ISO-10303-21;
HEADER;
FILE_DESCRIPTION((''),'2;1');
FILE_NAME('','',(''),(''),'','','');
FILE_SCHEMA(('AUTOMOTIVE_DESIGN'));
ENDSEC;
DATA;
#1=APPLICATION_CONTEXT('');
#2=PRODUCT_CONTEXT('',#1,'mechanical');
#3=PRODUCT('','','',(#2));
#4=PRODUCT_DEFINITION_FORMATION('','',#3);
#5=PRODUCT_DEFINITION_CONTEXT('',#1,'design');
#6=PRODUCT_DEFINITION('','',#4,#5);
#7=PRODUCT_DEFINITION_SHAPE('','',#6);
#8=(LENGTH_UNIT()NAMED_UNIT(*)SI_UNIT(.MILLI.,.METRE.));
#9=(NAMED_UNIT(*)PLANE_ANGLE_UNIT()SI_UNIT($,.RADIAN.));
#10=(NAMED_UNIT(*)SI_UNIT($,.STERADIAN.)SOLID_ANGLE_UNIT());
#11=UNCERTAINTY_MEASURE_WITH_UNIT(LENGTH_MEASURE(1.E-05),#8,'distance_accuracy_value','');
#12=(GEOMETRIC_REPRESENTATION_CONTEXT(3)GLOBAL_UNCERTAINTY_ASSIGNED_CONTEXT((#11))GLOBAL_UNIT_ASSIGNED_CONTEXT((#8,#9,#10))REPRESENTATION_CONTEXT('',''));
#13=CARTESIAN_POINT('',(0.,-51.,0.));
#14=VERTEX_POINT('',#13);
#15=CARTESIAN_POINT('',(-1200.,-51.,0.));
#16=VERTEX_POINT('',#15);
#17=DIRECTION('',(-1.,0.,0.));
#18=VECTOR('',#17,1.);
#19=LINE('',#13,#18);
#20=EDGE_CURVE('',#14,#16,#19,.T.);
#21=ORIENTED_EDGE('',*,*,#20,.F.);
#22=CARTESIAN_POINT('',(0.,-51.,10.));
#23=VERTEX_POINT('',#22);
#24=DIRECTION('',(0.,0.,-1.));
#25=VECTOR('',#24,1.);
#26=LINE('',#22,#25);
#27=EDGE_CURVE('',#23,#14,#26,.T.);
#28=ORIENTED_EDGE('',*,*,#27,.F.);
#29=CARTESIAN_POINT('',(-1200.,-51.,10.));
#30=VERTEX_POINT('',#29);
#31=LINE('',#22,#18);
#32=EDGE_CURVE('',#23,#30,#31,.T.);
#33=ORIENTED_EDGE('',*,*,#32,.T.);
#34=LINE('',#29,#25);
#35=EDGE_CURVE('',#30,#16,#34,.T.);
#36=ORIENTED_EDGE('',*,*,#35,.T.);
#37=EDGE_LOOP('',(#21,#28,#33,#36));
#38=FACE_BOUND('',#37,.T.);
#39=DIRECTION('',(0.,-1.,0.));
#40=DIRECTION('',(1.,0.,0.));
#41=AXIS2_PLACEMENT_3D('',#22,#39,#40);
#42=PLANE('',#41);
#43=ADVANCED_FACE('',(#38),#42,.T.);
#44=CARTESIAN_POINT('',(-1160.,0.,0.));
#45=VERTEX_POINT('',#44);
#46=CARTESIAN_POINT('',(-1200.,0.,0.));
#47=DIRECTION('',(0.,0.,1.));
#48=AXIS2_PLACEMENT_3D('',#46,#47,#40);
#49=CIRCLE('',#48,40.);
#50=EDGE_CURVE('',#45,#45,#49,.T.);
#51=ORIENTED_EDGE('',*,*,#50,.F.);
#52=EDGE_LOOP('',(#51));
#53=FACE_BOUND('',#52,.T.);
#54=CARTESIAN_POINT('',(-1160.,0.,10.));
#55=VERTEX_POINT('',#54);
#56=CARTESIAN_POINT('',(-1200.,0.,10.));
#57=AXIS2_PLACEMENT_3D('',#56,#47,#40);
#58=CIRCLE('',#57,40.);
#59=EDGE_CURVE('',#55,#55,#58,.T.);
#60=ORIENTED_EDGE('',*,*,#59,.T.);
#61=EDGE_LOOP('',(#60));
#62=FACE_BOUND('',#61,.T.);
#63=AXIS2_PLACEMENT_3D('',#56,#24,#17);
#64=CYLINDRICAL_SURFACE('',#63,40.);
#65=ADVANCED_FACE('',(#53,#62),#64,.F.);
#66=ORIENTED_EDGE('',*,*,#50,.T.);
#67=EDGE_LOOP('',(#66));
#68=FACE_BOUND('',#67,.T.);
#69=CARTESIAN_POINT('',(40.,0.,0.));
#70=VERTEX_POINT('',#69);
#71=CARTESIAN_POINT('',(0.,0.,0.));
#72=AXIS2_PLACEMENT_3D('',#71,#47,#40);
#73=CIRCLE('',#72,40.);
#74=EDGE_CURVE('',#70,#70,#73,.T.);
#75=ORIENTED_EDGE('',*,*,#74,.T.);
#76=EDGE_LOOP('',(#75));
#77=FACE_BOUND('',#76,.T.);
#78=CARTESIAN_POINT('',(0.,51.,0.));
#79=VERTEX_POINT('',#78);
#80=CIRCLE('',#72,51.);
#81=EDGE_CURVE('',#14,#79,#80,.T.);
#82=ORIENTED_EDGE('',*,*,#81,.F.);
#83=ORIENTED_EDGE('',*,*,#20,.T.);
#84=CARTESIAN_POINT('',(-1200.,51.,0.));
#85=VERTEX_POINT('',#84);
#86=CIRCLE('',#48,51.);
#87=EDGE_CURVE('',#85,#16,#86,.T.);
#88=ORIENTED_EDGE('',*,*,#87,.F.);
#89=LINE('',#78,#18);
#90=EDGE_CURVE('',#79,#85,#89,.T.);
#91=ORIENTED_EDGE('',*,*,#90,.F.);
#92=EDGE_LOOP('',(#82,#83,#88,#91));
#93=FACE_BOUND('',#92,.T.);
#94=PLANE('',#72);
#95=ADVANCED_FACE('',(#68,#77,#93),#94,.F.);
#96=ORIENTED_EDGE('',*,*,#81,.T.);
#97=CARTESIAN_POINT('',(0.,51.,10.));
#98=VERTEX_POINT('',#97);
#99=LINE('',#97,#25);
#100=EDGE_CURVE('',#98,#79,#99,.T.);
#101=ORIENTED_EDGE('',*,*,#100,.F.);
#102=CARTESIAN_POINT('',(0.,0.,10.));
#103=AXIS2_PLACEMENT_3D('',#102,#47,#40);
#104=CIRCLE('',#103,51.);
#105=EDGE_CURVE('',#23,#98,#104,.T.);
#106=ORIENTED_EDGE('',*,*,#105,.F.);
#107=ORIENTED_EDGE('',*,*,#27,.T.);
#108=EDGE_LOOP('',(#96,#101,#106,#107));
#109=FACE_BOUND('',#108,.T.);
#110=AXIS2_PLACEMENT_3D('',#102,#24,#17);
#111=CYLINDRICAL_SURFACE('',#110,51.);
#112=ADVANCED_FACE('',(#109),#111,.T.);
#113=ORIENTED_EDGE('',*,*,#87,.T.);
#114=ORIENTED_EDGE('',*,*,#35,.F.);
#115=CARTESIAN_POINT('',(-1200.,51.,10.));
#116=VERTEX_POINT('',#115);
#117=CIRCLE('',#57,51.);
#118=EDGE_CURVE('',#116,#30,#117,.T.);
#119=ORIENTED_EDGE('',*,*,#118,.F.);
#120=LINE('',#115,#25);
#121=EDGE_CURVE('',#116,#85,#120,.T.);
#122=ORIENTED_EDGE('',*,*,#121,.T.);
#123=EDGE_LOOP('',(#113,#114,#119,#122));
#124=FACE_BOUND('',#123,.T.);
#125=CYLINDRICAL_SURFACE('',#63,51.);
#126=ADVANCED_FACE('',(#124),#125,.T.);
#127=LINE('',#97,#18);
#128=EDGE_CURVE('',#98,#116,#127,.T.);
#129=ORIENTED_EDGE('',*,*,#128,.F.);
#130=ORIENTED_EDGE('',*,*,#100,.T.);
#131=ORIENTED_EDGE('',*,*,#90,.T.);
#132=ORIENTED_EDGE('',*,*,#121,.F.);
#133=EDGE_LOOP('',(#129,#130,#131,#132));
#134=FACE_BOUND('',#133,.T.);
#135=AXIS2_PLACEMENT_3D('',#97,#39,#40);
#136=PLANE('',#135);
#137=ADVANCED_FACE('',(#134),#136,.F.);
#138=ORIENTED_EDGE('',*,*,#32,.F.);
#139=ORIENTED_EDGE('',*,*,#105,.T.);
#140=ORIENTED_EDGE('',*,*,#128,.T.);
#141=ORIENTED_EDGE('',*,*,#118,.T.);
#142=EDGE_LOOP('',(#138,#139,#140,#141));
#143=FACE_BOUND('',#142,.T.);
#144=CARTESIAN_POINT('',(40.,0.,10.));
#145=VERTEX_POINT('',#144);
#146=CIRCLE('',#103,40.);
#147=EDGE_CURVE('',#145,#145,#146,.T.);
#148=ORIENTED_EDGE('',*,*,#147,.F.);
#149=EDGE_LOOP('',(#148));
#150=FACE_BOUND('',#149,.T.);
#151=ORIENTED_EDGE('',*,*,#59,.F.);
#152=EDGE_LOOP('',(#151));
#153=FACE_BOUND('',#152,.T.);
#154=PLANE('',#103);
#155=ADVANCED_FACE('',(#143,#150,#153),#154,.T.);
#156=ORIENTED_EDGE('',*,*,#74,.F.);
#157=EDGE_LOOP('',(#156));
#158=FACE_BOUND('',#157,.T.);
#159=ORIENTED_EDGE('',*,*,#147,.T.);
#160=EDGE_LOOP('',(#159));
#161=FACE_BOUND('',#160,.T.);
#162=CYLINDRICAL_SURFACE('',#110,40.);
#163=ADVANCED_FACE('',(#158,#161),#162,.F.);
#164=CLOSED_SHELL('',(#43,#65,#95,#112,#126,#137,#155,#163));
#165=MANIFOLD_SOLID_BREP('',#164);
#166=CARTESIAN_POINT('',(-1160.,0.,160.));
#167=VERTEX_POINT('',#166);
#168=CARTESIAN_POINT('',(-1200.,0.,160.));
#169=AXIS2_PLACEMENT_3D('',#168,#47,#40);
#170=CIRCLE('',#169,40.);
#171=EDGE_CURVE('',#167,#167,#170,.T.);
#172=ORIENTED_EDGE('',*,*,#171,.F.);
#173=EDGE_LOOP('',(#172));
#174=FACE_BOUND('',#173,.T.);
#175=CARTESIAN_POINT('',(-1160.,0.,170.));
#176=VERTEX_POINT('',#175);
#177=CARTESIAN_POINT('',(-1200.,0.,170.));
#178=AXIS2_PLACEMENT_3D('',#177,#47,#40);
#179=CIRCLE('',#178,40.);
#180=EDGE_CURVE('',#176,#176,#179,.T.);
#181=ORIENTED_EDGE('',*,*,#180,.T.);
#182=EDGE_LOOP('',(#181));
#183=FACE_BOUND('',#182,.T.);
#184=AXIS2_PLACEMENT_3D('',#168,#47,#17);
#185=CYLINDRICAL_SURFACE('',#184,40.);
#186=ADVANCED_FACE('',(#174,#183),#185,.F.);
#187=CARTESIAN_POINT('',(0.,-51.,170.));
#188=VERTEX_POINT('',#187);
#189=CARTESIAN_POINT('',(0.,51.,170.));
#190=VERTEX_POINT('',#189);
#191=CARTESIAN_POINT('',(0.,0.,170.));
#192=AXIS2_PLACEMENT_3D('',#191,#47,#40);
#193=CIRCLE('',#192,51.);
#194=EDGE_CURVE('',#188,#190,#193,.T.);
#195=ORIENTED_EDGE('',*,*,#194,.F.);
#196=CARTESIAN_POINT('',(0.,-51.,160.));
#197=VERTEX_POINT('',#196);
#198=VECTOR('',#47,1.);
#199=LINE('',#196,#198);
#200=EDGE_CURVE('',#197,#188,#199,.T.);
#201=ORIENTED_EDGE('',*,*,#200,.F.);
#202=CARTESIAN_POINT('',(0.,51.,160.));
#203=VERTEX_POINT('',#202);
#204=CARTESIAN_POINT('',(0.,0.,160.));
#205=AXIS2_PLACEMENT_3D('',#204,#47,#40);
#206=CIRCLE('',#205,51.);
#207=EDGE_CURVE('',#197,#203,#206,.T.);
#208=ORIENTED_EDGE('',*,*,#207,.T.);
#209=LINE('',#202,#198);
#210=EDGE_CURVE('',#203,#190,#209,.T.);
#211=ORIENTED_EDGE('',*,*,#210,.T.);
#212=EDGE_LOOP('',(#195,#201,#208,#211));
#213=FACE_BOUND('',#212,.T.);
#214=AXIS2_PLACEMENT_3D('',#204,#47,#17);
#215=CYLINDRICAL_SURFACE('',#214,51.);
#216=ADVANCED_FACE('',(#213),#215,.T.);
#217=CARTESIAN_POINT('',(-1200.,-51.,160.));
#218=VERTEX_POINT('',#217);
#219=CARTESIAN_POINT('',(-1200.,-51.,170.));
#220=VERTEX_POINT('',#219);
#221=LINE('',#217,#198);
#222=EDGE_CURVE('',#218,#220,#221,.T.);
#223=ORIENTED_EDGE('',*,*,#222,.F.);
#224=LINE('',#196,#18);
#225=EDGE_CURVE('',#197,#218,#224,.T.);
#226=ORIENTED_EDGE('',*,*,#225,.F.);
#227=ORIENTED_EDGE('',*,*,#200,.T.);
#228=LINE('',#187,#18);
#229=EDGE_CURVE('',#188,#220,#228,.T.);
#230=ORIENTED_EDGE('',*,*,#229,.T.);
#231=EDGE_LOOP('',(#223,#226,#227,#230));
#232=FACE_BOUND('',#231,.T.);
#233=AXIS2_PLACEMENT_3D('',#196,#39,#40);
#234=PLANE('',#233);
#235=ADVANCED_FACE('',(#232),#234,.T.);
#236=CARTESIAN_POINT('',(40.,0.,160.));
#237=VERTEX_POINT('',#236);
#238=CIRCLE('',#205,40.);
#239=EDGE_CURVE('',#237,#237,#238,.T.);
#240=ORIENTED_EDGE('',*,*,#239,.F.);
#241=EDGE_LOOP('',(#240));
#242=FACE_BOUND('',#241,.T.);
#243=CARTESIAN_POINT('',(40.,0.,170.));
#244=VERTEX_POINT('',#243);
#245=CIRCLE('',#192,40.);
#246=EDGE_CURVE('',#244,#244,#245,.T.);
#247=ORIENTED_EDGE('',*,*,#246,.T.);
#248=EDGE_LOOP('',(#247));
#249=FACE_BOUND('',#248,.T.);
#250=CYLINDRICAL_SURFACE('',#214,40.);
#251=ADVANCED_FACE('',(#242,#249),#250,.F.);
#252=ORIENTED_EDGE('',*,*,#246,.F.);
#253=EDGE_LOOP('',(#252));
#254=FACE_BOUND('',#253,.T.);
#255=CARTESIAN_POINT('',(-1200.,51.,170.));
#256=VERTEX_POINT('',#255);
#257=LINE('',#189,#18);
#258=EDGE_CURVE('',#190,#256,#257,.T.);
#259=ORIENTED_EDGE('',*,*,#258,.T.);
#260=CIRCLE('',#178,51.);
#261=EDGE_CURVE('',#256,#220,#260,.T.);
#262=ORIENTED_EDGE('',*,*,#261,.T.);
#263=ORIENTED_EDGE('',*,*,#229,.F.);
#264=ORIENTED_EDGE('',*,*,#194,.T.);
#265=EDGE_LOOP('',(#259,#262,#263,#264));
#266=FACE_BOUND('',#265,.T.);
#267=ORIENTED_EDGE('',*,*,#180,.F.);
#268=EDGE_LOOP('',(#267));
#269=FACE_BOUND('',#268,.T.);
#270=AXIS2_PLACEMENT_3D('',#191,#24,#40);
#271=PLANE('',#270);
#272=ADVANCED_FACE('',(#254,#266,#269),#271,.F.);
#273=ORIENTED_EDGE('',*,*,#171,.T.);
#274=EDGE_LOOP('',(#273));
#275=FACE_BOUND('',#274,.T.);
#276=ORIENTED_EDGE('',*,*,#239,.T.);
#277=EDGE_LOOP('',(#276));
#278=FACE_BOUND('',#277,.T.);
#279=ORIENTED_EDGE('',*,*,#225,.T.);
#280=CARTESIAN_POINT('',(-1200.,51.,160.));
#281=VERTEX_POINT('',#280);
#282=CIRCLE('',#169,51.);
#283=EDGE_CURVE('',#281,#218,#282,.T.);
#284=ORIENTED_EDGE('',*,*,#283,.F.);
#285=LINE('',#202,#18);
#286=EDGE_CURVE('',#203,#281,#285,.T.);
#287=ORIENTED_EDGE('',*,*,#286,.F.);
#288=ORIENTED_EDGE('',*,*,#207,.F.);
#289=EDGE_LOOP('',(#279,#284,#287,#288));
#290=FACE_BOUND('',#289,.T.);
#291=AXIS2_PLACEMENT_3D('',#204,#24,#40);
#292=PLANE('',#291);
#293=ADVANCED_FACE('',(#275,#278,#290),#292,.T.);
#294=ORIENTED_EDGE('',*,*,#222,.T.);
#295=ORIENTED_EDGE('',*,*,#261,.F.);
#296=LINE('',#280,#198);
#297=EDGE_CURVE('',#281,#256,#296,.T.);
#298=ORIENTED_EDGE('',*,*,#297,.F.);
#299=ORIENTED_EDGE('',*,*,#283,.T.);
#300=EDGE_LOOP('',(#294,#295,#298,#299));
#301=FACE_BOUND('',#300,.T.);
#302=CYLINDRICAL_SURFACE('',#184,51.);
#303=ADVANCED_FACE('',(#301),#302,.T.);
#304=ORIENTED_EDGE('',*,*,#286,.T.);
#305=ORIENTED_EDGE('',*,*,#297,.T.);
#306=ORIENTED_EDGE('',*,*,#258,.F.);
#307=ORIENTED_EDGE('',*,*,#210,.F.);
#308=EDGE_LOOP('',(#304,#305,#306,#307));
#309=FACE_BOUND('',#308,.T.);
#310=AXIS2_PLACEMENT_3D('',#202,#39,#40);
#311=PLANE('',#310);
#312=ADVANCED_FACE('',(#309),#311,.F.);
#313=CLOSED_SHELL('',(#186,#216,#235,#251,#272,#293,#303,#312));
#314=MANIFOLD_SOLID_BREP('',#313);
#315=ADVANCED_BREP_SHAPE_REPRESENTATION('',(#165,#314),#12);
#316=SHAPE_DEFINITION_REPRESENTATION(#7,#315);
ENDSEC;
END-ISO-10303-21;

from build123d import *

# Parameters (mm, degrees)
SKETCH1_R           = 40
BOSS_EXTRUDE1_DEPTH = 10


with BuildPart() as part:
    # Sketch1 → Boss-Extrude1 (new body)
    with BuildSketch(Plane.XY):
        with BuildLine():
            Line((0, -51), (-1200, -51))
            ThreePointArc((-1200, -51), (-1251, 0), (-1200, 51))
            Line((-1200, 51), (0, 51))
            ThreePointArc((0, 51), (51, 0), (0, -51))
        make_face()
        Circle(SKETCH1_R, mode=Mode.SUBTRACT)
        with Locations((-1200, 0)):
            Circle(SKETCH1_R, mode=Mode.SUBTRACT)
    extrude(amount=BOSS_EXTRUDE1_DEPTH)


with BuildPart() as body_2:
    # 镜向4: mirrored copy
    add(part.part.mirror(Plane.XY.offset(85)))


solid = Compound([part.part, body_2.part])
